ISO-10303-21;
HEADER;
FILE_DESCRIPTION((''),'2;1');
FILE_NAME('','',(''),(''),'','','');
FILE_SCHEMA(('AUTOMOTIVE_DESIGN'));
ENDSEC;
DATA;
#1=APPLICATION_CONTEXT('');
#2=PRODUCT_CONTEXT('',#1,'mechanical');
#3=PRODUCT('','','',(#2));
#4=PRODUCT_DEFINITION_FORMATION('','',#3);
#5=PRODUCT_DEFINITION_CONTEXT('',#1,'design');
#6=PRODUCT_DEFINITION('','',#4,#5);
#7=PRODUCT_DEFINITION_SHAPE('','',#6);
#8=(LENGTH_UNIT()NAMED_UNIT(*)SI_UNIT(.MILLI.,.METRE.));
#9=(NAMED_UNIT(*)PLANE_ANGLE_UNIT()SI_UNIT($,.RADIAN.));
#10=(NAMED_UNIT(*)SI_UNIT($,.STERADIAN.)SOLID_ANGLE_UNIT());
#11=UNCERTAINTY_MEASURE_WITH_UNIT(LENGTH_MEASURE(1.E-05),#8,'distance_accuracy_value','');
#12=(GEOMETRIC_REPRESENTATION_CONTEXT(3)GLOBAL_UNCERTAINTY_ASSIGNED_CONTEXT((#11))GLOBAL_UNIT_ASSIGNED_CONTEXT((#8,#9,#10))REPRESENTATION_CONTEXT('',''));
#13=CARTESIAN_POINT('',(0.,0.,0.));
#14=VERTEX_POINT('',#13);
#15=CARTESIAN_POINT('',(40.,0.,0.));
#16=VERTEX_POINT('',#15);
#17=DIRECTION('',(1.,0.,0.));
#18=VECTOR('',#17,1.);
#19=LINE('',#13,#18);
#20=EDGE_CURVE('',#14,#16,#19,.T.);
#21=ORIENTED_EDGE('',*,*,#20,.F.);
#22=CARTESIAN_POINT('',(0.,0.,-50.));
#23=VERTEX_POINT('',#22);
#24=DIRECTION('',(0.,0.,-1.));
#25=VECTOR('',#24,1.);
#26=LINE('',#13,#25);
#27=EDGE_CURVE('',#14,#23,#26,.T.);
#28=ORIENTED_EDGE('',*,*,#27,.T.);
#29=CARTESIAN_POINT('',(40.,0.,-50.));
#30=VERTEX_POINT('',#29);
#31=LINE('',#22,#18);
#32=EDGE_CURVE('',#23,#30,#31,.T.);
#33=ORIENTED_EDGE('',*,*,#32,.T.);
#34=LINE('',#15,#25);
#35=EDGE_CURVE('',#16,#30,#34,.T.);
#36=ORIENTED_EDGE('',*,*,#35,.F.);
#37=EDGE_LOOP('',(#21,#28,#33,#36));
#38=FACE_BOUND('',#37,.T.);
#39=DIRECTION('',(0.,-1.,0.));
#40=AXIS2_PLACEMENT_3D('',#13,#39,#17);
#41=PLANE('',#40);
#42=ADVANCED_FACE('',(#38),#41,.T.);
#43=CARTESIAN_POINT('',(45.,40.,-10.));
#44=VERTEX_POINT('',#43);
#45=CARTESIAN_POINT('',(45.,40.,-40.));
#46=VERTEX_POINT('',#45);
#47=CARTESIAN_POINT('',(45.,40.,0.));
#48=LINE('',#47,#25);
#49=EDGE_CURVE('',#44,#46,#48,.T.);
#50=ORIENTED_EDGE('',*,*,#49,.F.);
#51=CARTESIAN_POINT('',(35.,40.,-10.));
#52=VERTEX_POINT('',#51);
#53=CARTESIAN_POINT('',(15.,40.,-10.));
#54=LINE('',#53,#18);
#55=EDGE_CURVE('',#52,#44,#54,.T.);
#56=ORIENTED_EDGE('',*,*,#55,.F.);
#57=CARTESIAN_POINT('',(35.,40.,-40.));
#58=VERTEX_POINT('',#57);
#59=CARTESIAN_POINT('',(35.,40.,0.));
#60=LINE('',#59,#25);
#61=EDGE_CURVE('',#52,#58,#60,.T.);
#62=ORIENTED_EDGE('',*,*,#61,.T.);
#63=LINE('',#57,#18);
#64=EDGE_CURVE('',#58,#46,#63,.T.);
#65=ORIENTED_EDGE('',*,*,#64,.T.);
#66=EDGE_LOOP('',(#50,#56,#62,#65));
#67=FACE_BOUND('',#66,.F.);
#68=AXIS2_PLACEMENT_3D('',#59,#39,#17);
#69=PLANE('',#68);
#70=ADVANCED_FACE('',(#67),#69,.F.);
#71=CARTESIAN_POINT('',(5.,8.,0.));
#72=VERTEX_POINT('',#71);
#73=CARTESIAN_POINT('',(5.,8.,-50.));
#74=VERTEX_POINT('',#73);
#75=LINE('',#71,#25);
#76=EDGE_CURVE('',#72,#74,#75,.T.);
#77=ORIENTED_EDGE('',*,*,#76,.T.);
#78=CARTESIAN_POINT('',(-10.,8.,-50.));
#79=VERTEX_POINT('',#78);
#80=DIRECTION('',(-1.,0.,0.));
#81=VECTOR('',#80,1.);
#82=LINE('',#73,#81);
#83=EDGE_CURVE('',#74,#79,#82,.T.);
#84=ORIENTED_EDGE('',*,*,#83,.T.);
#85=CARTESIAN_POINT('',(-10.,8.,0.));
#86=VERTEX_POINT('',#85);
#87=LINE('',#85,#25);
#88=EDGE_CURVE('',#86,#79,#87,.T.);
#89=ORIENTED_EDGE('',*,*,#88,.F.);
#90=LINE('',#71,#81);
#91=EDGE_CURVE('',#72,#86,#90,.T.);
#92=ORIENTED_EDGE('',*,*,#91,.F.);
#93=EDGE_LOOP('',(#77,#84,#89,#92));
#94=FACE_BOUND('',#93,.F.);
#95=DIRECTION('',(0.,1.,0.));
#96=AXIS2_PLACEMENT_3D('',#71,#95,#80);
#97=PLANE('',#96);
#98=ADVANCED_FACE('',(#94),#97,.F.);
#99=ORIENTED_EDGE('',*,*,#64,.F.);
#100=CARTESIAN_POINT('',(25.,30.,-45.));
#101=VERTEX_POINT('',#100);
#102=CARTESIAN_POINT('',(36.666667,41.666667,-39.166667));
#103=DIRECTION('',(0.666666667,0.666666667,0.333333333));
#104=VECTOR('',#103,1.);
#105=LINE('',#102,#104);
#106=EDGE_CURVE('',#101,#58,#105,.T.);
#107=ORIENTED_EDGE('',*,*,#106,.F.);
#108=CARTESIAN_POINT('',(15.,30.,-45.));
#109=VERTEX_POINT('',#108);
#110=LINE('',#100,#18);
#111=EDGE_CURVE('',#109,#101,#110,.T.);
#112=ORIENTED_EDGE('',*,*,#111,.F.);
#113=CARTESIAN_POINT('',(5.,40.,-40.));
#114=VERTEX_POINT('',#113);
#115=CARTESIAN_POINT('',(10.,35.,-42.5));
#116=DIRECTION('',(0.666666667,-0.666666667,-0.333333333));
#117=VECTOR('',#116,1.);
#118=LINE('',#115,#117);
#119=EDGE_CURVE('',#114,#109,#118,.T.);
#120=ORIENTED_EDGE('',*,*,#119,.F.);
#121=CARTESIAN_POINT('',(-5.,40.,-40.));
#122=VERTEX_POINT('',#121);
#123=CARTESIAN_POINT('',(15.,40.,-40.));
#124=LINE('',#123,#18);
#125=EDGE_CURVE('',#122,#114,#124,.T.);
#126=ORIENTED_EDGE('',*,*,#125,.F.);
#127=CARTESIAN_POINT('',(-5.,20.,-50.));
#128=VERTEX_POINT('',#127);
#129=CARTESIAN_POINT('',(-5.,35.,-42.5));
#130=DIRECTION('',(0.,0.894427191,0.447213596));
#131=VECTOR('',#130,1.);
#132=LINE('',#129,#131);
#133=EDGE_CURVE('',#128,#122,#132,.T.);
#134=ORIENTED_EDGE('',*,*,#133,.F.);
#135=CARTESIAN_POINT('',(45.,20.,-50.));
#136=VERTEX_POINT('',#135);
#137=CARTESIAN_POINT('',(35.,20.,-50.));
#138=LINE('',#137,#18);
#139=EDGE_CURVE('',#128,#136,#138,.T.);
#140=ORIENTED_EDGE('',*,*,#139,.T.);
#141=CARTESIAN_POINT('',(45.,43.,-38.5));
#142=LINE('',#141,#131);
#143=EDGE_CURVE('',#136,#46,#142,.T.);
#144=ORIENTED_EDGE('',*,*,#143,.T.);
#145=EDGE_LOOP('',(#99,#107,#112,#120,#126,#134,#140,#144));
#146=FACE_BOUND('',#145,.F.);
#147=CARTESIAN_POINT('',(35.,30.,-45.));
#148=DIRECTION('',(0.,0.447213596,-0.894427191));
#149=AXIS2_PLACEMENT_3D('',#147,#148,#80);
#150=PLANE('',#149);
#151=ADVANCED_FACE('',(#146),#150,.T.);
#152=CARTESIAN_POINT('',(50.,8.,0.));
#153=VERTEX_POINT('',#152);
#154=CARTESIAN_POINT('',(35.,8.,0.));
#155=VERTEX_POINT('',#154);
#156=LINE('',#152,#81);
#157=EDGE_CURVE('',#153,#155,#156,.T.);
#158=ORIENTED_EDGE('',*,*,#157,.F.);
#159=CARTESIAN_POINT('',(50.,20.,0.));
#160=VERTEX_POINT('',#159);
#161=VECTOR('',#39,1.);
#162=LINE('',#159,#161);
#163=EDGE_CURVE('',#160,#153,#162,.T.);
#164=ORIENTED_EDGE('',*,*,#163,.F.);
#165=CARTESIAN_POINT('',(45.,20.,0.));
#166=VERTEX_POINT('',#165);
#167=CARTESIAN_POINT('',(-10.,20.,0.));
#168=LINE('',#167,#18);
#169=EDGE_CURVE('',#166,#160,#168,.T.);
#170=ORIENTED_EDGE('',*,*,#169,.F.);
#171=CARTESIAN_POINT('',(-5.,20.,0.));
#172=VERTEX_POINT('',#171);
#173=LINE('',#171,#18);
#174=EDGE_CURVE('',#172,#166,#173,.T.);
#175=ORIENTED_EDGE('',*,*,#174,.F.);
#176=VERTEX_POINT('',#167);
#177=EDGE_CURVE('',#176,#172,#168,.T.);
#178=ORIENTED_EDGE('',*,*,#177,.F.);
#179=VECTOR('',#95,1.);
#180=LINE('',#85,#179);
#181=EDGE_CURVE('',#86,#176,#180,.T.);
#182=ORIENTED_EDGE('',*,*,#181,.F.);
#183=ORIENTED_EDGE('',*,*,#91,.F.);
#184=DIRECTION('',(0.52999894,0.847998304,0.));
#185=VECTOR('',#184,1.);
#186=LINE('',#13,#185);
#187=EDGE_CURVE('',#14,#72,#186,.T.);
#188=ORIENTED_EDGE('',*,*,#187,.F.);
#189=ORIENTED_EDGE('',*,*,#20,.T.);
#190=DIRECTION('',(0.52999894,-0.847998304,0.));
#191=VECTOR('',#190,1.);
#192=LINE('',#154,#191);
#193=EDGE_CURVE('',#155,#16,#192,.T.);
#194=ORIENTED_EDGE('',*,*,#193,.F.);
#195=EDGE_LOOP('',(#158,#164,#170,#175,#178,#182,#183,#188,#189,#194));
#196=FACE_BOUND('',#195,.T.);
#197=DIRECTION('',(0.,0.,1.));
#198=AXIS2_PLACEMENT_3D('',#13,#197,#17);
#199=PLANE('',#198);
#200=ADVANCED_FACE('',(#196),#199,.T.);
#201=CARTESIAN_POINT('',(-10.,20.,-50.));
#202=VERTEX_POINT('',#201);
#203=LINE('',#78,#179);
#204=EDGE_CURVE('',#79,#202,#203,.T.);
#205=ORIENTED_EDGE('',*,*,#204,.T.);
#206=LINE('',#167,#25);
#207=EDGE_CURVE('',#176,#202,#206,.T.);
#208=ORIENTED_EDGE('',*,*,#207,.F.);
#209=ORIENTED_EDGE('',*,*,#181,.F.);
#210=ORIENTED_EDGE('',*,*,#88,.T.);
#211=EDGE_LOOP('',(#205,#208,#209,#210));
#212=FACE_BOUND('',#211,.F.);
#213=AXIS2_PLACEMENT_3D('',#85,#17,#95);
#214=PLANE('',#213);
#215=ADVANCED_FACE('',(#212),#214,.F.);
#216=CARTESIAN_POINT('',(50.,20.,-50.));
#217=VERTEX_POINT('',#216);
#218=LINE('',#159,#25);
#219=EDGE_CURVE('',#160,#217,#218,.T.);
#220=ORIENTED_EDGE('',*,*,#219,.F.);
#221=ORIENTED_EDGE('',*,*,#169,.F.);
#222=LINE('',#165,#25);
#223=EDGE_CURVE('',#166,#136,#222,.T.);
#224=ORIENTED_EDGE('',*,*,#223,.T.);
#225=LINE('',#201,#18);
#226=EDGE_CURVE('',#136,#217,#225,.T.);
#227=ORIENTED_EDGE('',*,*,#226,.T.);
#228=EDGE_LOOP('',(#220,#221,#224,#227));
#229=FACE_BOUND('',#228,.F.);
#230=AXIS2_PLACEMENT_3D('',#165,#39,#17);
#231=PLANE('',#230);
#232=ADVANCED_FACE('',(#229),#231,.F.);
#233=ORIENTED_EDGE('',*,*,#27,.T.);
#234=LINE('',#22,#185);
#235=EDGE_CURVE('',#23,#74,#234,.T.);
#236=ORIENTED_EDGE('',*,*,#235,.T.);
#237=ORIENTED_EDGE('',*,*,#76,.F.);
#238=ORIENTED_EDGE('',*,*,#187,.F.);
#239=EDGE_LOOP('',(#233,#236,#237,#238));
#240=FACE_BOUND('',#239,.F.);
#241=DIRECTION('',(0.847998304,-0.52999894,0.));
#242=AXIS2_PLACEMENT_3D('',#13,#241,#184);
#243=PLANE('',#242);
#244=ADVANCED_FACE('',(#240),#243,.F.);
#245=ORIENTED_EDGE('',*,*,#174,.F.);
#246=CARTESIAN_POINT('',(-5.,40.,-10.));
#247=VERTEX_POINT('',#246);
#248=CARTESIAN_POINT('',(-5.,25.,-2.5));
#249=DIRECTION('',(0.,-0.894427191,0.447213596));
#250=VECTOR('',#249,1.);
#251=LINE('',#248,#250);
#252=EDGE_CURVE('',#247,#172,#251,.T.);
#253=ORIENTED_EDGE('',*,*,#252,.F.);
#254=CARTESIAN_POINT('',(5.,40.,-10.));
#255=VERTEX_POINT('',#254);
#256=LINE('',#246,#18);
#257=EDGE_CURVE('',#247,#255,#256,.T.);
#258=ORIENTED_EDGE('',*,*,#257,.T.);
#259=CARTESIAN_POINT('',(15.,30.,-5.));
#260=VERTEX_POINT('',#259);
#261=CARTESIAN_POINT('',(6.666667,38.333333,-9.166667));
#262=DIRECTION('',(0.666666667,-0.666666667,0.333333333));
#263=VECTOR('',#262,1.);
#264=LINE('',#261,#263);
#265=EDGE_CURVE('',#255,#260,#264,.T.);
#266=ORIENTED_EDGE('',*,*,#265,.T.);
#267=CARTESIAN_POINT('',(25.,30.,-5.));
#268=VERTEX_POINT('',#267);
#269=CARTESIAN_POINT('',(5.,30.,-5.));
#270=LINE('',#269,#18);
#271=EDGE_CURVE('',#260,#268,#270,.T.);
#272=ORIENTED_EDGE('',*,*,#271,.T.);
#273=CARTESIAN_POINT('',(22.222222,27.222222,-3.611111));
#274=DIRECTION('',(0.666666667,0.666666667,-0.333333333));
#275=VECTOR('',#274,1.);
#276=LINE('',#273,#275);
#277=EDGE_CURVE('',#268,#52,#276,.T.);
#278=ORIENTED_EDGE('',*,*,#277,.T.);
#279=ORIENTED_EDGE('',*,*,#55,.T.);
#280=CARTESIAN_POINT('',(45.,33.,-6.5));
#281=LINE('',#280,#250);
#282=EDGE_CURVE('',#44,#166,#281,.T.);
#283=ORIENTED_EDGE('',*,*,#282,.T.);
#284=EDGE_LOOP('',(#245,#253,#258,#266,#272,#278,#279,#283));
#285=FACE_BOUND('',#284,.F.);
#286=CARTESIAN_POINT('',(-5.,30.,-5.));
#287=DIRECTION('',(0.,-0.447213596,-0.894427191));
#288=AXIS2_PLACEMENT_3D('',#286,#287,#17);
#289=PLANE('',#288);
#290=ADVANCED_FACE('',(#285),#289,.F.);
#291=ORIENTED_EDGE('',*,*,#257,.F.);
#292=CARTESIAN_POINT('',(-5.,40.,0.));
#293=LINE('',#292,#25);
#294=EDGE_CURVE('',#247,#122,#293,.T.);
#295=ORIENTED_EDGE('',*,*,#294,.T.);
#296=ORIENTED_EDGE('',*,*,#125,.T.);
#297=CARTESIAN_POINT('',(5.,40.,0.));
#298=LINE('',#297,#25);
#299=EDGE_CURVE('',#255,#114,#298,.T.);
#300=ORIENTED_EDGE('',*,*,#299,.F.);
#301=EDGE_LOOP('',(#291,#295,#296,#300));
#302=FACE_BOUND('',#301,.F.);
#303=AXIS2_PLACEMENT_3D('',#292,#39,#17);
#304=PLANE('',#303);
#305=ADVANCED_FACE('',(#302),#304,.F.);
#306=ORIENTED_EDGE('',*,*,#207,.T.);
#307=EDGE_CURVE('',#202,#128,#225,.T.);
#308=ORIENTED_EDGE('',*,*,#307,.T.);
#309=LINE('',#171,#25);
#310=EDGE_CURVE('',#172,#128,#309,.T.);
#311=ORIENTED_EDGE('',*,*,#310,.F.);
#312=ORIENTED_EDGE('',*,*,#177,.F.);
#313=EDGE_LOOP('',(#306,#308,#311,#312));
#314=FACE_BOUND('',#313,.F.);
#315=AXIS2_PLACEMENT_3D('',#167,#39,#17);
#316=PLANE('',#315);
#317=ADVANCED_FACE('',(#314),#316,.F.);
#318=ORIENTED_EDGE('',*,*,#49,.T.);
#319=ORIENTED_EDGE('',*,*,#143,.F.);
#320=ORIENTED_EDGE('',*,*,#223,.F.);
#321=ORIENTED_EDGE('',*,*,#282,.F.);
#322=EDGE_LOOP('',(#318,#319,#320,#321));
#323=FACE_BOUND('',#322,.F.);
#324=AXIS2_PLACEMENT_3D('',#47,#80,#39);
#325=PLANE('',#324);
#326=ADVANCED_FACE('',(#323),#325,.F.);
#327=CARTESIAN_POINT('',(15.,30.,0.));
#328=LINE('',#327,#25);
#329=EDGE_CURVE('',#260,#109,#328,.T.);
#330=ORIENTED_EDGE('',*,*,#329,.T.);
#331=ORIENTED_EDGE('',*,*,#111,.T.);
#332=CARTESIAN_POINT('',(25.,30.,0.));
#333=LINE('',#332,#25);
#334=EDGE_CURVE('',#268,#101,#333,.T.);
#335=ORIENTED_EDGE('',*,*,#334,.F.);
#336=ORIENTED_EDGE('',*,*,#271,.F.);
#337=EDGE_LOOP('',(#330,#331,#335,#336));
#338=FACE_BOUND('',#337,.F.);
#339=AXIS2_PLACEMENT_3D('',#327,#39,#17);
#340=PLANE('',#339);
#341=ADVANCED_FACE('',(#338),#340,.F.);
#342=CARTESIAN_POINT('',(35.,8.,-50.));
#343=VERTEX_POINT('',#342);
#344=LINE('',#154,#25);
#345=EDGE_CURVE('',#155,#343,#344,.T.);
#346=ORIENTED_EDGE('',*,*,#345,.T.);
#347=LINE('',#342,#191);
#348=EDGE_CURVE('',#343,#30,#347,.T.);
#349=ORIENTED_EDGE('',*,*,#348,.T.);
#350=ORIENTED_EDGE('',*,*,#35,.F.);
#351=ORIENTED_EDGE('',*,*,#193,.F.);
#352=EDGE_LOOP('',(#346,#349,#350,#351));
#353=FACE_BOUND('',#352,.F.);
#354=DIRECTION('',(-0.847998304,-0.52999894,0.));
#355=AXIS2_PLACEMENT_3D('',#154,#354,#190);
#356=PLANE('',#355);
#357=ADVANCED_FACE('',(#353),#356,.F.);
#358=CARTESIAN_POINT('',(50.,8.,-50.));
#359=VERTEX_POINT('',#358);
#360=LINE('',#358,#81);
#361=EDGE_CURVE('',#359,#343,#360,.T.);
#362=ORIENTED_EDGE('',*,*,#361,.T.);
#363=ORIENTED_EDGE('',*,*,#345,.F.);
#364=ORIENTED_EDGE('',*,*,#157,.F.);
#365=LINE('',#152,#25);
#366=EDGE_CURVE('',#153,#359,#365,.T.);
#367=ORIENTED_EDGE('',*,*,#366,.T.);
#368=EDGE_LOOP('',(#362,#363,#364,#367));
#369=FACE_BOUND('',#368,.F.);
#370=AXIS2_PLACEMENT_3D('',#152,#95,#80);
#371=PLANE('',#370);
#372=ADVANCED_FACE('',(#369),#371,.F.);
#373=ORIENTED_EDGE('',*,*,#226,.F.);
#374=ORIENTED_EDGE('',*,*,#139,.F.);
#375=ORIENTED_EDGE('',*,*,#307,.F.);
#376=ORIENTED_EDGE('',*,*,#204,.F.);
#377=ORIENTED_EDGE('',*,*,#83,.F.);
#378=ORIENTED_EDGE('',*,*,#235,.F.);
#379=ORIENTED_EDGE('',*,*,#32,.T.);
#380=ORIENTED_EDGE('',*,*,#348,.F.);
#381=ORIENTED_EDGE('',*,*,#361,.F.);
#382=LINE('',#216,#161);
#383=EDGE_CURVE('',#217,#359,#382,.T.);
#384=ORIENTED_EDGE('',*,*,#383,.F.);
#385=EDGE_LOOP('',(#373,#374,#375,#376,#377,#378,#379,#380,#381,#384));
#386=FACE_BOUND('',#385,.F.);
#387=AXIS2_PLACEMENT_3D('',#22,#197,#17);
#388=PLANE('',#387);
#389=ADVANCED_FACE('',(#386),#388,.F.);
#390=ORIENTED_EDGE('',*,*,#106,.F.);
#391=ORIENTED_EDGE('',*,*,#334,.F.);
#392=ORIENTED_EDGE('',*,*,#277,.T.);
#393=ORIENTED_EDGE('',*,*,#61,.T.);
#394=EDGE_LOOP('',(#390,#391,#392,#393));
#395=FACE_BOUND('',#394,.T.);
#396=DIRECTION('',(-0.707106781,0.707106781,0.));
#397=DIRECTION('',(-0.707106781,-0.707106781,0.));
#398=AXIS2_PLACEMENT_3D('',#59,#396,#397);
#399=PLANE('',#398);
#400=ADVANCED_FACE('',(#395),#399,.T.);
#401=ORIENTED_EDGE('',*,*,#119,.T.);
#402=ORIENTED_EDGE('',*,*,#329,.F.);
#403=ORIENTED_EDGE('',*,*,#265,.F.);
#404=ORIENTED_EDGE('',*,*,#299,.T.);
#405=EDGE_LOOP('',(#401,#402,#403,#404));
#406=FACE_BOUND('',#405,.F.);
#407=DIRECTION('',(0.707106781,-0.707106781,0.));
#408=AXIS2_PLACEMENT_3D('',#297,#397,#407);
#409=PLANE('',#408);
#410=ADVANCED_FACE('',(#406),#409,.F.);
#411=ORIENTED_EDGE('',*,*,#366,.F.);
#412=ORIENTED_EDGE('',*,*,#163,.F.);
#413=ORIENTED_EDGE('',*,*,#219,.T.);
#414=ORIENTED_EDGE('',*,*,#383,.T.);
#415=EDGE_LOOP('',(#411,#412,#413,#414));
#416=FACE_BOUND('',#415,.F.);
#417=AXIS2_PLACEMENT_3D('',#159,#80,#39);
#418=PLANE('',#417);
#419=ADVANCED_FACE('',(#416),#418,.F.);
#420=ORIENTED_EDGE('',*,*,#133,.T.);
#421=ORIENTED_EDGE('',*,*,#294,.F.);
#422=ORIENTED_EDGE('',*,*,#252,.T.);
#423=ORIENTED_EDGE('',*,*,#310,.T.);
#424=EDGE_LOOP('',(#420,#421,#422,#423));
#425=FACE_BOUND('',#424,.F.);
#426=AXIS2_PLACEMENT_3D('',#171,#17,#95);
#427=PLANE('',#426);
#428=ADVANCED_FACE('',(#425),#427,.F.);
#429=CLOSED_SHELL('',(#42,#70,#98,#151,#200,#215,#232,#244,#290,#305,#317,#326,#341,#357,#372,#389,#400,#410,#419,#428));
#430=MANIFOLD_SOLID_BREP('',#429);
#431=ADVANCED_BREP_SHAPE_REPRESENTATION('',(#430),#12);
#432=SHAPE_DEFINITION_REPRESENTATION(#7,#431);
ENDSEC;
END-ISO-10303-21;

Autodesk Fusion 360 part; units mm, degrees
sketch "Sketch1" plane through (0, 0, 0) normal (0, 0, 1) x (1, 0, 0)
  line L0 (0, 0) -> (40, 0)
  line L1 (0, 0) -> (5, 8)
  line L2 (35, 8) -> (40, 0)
  line L3 (5, 8) -> (-10, 8)
  line L4 (-10, 8) -> (-10, 20)
  line L5 (-10, 20) -> (50, 20)
  line L6 (50, 20) -> (50, 8)
  line L7 (50, 8) -> (35, 8)
  line L8 (-5, 20) -> (-5, 40)
  line L9 (-5, 40) -> (5, 40)
  line L10 (15, 30) -> (25, 30)
  line L11 (35, 40) -> (45, 40)
  line L12 (45, 40) -> (45, 20)
  line L13 (5, 40) -> (15, 30)
  line L14 (35, 40) -> (25, 30)
  dimension "d1" = 40
  dimension "d2" = 30
  dimension "d5" = 12
  dimension "d8" = 60
  dimension "d9" = 5
  dimension "d10" = 5
  dimension "d11" = 10
  dimension "d14" = 10
  dimension "d15" = 10
  dimension "d16" = 20
  dimension "d17" = 8
extrude "Extrude1" add sketch "Sketch1" against normal blind 50
chamfer "Chamfer1" distance 10 distance2 20 1 edges at (0, 40, 0) measured on face at (-1.6667, 40, -16.6667)
chamfer "Chamfer2" distance 20 distance2 10 1 edges at (40, 40, -50) measured on face at (18.3333, 15.3333, -50)
